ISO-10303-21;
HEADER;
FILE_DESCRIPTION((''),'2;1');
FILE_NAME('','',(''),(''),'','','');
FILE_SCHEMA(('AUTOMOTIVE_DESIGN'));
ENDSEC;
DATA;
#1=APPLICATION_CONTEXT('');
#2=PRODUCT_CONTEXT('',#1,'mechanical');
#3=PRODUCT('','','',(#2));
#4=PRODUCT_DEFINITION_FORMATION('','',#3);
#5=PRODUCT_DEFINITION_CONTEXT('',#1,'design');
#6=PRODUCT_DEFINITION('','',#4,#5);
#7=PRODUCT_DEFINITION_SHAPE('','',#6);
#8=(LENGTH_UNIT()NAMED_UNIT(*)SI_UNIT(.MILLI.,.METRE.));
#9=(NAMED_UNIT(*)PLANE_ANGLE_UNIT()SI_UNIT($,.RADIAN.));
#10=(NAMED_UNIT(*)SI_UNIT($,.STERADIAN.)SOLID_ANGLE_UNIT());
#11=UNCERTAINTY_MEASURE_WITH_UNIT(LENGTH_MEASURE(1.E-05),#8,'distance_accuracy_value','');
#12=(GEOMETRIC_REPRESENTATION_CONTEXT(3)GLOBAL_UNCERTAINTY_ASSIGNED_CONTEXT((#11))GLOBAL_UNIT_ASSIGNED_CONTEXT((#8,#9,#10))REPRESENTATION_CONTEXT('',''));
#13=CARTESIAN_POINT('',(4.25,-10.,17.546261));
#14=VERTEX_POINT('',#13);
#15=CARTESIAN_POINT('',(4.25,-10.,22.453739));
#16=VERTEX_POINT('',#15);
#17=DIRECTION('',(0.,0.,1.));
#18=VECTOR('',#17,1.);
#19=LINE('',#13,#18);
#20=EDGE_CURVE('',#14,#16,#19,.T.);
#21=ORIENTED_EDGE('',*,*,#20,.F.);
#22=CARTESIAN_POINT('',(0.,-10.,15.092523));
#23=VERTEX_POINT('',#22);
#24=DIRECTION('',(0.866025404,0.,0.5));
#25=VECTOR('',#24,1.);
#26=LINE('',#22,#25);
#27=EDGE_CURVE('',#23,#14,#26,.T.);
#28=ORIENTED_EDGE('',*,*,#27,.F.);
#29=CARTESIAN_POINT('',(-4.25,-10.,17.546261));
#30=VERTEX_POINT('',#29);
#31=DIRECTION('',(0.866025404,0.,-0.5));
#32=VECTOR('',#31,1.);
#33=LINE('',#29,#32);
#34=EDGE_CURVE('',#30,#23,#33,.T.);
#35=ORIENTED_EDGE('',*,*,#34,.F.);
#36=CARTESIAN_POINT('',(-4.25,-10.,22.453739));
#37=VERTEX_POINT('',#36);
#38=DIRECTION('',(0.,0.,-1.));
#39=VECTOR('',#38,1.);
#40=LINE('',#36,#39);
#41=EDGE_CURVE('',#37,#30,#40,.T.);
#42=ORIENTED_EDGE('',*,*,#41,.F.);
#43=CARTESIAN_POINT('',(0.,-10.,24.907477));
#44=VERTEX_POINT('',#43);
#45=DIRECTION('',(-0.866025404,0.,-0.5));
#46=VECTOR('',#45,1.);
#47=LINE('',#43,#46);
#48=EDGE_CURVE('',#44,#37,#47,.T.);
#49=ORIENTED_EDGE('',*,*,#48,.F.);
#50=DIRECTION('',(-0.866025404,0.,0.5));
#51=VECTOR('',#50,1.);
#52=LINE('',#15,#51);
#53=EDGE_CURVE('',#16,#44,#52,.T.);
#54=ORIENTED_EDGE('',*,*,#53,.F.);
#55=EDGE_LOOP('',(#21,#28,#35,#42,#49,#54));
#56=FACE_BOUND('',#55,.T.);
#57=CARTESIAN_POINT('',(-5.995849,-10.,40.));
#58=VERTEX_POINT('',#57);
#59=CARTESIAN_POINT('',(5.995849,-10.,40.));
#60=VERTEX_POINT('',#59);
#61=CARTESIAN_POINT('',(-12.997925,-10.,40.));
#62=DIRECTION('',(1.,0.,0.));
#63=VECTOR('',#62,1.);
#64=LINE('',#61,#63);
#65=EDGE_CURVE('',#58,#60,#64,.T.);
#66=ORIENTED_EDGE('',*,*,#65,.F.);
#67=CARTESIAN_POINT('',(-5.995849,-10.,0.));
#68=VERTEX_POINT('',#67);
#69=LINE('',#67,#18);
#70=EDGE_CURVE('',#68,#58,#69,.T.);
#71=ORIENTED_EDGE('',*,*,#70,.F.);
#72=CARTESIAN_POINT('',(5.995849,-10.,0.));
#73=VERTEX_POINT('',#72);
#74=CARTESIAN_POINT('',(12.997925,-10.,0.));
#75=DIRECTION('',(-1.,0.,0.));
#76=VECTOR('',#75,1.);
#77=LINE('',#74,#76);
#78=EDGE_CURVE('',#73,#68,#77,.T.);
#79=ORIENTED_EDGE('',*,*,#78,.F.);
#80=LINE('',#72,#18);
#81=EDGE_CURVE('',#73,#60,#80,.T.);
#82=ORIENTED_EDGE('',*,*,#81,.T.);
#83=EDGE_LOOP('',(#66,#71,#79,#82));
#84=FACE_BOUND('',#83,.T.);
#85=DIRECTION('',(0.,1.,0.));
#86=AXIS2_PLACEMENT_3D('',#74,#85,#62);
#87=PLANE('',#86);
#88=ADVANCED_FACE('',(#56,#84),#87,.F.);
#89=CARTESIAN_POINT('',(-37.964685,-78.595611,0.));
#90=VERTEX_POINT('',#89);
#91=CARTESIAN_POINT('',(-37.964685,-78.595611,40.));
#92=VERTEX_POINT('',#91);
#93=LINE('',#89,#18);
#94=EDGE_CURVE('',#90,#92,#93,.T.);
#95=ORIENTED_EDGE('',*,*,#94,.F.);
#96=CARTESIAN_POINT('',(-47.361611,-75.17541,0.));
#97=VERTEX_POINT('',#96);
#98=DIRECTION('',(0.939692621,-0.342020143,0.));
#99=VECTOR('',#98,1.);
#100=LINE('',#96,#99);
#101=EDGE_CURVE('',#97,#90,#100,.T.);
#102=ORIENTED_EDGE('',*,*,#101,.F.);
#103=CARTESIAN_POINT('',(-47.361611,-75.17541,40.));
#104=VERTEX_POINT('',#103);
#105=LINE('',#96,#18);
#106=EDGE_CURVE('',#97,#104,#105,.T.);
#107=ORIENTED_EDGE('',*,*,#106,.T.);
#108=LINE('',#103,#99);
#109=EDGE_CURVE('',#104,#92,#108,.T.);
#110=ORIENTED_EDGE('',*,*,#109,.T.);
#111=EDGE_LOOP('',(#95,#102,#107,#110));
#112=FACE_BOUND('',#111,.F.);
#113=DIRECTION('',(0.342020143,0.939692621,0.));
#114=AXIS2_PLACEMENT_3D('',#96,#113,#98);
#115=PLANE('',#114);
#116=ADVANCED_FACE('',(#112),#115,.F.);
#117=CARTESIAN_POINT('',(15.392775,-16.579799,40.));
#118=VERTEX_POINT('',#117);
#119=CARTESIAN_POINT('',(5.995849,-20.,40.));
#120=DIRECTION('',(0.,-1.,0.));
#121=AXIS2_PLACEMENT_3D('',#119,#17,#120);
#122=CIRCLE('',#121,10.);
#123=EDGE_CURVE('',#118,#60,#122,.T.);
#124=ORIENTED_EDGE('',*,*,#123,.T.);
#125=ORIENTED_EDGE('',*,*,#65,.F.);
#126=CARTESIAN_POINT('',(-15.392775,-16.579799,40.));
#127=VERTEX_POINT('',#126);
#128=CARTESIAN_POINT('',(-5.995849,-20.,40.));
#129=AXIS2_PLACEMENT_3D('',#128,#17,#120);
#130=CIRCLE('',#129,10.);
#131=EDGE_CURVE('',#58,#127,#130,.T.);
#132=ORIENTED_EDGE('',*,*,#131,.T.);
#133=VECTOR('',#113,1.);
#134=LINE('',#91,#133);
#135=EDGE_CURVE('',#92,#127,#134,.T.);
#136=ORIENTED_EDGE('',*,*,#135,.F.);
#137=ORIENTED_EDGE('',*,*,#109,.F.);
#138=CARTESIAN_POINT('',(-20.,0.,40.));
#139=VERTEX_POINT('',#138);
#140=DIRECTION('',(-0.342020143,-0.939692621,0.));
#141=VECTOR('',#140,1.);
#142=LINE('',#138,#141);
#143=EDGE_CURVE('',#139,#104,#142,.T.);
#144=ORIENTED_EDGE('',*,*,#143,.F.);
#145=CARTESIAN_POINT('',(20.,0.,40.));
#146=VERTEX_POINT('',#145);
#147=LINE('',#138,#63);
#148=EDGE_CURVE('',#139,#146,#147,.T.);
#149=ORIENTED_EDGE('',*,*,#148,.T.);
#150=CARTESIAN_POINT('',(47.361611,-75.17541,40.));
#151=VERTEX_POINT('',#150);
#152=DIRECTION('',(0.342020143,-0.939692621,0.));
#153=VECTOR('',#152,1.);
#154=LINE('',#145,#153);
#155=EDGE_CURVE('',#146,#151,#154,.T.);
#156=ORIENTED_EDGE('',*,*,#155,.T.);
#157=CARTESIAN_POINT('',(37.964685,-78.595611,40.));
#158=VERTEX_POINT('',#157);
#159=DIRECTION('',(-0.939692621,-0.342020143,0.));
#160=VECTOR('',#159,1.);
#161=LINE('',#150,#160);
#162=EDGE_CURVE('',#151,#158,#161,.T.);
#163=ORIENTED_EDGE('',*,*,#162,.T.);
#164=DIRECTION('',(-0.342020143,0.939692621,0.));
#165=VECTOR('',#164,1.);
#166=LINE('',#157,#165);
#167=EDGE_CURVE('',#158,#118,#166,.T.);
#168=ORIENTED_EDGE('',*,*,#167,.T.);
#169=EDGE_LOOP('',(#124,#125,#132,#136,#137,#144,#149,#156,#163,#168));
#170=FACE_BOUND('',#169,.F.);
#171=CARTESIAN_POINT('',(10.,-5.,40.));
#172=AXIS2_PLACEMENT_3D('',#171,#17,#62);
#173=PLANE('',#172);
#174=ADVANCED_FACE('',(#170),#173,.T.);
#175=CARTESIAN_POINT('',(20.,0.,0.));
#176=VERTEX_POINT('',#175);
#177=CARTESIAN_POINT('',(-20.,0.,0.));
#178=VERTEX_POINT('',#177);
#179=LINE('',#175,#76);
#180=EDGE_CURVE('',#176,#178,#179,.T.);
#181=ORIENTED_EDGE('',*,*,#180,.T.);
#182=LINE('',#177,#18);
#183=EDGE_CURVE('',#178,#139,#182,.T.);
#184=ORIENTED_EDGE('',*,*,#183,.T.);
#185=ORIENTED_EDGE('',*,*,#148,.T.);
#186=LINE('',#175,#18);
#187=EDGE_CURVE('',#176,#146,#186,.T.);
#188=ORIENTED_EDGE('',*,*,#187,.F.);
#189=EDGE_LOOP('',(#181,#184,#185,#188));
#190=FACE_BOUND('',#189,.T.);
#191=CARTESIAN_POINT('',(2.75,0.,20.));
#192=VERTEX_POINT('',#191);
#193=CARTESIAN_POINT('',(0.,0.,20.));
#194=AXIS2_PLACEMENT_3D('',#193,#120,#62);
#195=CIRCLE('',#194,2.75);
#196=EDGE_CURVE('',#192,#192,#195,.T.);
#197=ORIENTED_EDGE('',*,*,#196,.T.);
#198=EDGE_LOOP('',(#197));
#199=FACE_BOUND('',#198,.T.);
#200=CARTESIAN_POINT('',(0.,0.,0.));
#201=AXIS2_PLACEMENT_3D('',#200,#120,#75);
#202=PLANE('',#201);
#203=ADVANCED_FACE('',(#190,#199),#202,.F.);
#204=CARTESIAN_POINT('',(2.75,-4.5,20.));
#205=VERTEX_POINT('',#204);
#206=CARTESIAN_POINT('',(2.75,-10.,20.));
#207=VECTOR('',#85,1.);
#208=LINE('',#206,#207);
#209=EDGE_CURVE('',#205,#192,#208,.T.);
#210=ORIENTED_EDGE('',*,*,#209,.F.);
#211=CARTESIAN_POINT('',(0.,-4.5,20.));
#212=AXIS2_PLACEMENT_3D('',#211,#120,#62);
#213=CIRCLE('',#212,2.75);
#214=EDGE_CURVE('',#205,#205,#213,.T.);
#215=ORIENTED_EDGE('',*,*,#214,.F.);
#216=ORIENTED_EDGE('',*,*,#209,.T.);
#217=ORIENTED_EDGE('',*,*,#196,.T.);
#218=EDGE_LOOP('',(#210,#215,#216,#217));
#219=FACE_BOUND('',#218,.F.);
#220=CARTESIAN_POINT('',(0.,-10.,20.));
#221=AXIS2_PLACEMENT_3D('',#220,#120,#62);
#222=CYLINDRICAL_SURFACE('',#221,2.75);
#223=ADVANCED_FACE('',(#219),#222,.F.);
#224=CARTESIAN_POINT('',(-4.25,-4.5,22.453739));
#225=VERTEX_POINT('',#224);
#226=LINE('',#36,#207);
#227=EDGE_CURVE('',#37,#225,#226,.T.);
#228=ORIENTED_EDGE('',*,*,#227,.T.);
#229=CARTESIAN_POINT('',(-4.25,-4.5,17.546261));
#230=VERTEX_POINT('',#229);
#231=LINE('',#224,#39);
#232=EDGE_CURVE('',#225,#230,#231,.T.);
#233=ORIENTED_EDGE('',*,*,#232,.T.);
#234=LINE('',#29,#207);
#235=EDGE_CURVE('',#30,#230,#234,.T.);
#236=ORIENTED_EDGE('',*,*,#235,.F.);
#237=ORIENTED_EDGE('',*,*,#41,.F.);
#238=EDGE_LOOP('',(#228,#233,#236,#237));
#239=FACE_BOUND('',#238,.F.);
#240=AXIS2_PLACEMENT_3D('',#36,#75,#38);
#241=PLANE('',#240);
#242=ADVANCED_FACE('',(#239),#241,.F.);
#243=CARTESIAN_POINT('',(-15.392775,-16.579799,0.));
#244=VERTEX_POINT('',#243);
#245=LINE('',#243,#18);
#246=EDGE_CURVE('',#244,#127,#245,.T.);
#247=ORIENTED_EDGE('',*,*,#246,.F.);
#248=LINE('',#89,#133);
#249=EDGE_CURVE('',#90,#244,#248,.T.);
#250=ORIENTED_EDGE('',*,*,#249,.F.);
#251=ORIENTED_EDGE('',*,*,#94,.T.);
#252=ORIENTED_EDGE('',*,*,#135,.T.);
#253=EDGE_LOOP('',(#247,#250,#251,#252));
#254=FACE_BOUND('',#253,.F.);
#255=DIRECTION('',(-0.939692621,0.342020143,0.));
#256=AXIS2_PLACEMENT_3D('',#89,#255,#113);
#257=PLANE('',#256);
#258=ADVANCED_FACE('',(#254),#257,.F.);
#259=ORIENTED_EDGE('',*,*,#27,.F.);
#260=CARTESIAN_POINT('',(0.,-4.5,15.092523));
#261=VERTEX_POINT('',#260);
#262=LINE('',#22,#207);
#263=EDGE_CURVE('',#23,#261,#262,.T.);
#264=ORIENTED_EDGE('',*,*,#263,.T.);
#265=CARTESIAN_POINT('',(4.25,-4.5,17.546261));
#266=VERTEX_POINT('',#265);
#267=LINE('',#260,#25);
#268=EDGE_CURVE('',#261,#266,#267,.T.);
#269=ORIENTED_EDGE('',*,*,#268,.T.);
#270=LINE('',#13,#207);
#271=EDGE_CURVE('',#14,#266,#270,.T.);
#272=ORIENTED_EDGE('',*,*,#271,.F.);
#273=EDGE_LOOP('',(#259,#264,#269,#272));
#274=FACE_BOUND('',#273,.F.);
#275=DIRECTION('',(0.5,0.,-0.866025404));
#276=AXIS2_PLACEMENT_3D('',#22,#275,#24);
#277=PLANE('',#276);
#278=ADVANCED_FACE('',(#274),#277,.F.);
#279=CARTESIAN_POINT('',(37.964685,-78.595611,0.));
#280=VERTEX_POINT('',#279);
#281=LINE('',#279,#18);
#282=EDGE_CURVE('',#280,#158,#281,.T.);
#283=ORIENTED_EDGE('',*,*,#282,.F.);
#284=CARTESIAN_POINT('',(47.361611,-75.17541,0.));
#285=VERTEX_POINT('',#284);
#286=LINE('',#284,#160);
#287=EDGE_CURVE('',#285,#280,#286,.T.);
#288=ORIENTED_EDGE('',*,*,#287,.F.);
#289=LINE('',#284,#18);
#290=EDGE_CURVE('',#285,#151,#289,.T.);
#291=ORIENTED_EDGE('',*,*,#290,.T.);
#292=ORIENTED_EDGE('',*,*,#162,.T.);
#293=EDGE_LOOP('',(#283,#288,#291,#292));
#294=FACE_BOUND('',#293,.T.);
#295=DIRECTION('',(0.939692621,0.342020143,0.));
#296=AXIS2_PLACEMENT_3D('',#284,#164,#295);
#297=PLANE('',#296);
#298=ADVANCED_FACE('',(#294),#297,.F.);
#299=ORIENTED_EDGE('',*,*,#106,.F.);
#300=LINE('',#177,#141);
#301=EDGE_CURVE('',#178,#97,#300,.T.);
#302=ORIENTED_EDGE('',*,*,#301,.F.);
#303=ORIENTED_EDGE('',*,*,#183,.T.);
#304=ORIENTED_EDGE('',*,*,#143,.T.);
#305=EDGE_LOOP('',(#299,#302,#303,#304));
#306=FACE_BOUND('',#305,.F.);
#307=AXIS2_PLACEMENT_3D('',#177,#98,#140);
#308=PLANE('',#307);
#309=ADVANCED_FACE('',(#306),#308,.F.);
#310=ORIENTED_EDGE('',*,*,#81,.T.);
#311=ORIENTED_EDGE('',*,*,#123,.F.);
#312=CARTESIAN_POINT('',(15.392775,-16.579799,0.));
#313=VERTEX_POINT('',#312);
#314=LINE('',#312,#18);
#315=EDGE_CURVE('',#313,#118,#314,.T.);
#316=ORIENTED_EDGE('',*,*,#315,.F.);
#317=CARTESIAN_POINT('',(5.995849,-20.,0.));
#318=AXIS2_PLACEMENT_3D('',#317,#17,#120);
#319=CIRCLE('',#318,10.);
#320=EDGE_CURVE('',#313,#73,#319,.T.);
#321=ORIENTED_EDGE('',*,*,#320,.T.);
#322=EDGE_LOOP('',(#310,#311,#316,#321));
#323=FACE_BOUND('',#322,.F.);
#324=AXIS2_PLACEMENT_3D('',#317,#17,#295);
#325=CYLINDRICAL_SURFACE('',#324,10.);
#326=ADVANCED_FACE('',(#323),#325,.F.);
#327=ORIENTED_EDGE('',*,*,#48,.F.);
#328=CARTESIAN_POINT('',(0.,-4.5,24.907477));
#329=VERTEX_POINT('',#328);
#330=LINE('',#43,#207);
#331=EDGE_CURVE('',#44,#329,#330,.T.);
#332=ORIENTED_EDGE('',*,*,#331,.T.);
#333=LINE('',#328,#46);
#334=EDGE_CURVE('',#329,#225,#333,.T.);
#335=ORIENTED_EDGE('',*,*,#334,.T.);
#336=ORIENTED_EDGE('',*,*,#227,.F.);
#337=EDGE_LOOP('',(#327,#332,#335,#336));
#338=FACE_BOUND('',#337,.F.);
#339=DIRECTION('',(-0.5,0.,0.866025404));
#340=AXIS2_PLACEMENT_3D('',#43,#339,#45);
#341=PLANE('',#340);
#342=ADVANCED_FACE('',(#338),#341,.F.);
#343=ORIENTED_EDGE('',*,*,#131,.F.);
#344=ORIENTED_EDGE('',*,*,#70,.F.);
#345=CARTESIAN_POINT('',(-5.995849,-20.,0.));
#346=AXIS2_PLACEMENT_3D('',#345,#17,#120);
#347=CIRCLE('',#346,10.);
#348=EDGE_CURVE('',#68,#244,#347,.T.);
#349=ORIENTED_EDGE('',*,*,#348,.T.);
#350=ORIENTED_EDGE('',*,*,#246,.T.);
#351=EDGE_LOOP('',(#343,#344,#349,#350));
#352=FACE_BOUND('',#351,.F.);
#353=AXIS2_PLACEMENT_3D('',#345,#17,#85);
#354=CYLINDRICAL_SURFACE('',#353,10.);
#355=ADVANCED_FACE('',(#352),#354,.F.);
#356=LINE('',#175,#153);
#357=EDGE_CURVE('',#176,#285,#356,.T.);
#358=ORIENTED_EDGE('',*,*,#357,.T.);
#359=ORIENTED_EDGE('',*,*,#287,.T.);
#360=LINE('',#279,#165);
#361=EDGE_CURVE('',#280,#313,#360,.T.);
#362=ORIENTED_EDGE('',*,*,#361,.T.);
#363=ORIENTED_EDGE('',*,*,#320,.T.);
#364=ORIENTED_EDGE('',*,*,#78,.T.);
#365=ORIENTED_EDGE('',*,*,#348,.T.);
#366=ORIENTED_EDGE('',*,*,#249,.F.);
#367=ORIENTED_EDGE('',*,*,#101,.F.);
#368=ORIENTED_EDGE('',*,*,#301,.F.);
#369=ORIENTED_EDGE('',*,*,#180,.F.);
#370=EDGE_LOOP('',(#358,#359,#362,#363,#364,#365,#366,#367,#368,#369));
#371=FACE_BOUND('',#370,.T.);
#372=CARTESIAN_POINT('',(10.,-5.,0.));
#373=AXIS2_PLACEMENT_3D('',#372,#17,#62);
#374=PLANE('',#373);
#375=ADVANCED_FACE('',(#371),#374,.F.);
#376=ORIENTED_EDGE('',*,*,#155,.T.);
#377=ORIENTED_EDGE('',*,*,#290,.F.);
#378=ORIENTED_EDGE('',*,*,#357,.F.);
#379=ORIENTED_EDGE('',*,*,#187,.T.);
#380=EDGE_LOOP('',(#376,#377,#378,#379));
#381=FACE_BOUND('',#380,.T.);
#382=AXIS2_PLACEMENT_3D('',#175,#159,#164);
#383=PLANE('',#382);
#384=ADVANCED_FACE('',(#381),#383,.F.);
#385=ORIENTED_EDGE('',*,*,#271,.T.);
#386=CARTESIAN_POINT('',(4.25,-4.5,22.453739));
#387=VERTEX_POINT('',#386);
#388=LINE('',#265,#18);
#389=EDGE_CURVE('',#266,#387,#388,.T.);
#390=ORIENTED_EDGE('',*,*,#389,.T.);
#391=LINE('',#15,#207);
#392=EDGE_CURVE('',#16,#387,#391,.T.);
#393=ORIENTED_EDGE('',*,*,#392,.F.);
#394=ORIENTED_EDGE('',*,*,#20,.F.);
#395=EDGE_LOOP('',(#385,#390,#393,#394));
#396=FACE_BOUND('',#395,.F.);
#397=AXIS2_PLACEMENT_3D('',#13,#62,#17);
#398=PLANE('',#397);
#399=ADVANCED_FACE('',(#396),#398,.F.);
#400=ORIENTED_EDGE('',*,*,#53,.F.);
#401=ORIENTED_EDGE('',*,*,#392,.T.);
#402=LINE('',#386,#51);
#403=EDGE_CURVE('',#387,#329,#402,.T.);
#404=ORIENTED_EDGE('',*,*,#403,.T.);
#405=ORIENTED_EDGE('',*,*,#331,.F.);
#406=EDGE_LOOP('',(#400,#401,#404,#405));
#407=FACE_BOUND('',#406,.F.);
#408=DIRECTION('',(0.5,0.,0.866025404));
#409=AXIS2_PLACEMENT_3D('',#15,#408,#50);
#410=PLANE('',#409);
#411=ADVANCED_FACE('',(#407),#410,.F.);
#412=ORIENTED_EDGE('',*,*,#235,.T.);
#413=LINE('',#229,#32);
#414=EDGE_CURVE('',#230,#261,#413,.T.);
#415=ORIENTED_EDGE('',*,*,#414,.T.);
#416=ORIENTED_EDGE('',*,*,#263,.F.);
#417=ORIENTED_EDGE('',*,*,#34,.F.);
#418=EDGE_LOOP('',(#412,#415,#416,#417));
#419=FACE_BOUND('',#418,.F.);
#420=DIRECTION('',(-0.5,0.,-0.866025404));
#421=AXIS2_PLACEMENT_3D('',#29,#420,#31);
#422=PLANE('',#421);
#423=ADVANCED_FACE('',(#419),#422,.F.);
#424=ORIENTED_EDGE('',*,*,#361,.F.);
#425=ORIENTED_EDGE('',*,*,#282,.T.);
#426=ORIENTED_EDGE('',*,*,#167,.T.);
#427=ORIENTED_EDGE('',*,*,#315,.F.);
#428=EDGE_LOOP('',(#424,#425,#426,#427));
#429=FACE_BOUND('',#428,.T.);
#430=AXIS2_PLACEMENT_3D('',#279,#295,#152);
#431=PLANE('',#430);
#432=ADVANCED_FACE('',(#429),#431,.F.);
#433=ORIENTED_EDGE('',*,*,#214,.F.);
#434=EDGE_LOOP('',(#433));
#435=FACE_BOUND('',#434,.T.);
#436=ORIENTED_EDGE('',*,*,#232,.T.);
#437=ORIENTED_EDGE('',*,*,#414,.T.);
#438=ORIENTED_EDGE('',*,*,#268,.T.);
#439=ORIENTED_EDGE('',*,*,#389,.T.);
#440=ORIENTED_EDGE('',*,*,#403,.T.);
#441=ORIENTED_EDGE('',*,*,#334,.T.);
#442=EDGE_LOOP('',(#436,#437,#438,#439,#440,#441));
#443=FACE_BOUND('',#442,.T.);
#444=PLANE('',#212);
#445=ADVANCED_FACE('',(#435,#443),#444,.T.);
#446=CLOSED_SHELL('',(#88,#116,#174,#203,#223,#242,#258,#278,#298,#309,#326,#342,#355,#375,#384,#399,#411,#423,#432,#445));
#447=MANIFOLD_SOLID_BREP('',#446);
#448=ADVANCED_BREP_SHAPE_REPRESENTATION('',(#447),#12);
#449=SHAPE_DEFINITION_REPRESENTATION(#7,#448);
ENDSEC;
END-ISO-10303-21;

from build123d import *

# Parameters (mm, degrees)
F1_DEPTH = 40
F3_R     = 2.75
F4_DEPTH = 10
F5_R     = 2.75
F6_DEPTH = 5.5
F7_R     = 10


with BuildPart() as f1:
    # F0 (on Top) → F1 (new body)
    with BuildSketch(Plane.XY):
        Polygon((0, 0), (-20, 0), (-20, -10), (-12.9979246179, -10), (0, -10), align=None)
        Polygon((-20, -10), (-20, 0), (-47.3616114661, -75.1754096629), (-37.9646852582, -78.5956110961), (-12.9979246179, -10), align=None)
    extrude(amount=F1_DEPTH)

    # F2: F1 across plane


with BuildPart() as f1_1:
    add(f1.part)
    add(f1.part.mirror(Plane.YZ))

    # F3 (on face) → F4 (cut, through all)
    with BuildSketch(Plane.XZ.offset(10)):
        with Locations((0, 20)):
            Circle(F3_R)
    extrude(amount=-F4_DEPTH, mode=Mode.SUBTRACT)

    # F5 (on face) → F6 (cut)
    with BuildSketch(Plane.XZ.offset(10)):
        Polygon((4.25, 22.4537386441), (0, 24.9074772881), (-4.25, 22.4537386441), (-4.25, 17.5462613559), (0, 15.0925227119), (4.25, 17.5462613559), align=None)
        with Locations((0, 20)):
            Circle(F5_R, mode=Mode.SUBTRACT)
    extrude(amount=-F6_DEPTH, mode=Mode.SUBTRACT)

    # F7
    f7_edges = [f1_1.edges().sort_by_distance(p)[0] for p in [
        (-12.997925, -10, 20),
        (12.997925, -10, 20),
    ]]
    fillet(f7_edges, radius=F7_R)


solid = f1_1.part
